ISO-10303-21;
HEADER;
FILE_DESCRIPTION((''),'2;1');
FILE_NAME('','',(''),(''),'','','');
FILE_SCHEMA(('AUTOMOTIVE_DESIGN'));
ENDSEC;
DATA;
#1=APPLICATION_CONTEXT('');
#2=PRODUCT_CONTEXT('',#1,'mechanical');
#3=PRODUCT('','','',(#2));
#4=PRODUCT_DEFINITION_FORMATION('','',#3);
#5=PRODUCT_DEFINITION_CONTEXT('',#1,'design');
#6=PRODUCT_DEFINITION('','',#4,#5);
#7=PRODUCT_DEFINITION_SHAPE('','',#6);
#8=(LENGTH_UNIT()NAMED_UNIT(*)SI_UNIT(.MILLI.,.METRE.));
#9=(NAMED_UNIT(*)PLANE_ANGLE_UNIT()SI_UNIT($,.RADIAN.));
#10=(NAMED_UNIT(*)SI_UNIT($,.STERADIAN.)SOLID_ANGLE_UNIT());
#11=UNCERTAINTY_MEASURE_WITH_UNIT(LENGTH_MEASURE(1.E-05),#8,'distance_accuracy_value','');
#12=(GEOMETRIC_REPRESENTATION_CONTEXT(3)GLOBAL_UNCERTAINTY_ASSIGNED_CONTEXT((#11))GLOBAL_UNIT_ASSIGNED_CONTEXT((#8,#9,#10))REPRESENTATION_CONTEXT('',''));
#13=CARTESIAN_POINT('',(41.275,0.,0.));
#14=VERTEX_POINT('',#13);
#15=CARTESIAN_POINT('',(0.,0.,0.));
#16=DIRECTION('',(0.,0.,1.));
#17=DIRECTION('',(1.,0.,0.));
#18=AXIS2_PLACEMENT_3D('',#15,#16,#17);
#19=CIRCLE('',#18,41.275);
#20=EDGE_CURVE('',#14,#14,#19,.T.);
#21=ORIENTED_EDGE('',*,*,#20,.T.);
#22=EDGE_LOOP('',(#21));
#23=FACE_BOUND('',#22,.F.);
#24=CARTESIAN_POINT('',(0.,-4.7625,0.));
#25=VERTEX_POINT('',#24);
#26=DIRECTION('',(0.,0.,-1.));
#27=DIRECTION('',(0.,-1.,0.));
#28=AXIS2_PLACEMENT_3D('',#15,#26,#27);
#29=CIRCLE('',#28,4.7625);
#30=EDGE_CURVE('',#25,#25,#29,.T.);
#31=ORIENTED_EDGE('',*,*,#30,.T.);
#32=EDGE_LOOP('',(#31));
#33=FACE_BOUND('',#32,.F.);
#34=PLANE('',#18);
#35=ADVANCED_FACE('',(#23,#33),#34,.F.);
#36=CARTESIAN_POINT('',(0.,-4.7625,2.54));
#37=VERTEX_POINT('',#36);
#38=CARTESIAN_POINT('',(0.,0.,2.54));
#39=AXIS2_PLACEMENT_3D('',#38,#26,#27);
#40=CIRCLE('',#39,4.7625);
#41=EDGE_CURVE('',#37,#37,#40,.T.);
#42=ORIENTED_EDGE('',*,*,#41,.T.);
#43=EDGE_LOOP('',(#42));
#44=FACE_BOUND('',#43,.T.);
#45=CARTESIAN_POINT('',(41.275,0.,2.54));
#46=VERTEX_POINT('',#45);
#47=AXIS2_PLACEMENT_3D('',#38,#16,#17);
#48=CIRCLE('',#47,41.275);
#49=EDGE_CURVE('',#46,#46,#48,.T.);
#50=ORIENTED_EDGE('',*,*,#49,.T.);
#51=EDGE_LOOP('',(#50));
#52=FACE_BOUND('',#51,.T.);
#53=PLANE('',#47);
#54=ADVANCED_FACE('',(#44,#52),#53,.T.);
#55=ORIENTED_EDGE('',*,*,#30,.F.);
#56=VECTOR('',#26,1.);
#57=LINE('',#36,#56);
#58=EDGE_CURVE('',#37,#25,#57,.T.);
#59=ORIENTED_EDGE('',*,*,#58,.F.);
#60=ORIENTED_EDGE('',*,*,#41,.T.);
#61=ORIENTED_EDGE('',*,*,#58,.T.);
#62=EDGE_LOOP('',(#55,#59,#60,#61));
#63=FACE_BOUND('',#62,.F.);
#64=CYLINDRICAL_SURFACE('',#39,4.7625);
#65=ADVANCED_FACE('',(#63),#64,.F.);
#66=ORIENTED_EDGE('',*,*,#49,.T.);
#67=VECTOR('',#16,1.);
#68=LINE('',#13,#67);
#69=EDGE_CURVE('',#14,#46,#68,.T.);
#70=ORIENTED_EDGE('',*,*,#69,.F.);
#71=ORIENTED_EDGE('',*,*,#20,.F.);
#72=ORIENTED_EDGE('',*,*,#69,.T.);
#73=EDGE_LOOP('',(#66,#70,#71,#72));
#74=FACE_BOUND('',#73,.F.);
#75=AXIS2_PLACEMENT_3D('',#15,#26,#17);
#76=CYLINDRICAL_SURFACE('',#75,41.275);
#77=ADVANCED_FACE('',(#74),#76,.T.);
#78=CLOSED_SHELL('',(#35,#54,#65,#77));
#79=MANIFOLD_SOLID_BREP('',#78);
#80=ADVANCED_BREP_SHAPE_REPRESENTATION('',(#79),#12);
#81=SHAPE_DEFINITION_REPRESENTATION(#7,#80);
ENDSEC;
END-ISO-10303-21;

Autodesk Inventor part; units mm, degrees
ref_plane "YZ Plane" through (0, 0, 0) normal (1, 0, 0) x (0, 1, 0)
ref_plane "XZ Plane" through (0, 0, 0) normal (0, 1, 0) x (-1, 0, 0)
ref_plane "XY Plane" through (0, 0, 0) normal (0, 0, 1) x (1, 0, 0)
sketch "Sketch1" plane through (0, 0, 0) normal (0, 0, 1) x (1, 0, 0)
  circle A0 centre (0, 0) radius 41.275
  dimension "d10" = 82.55
extrude "Extrusion1" add sketch "Sketch1" along normal blind 2.54
hole "Hole1" at (0, 0, 2.54) direction (0, 0, -1) diameter 9.525 end through all
properties part number "SpoolGuard"
